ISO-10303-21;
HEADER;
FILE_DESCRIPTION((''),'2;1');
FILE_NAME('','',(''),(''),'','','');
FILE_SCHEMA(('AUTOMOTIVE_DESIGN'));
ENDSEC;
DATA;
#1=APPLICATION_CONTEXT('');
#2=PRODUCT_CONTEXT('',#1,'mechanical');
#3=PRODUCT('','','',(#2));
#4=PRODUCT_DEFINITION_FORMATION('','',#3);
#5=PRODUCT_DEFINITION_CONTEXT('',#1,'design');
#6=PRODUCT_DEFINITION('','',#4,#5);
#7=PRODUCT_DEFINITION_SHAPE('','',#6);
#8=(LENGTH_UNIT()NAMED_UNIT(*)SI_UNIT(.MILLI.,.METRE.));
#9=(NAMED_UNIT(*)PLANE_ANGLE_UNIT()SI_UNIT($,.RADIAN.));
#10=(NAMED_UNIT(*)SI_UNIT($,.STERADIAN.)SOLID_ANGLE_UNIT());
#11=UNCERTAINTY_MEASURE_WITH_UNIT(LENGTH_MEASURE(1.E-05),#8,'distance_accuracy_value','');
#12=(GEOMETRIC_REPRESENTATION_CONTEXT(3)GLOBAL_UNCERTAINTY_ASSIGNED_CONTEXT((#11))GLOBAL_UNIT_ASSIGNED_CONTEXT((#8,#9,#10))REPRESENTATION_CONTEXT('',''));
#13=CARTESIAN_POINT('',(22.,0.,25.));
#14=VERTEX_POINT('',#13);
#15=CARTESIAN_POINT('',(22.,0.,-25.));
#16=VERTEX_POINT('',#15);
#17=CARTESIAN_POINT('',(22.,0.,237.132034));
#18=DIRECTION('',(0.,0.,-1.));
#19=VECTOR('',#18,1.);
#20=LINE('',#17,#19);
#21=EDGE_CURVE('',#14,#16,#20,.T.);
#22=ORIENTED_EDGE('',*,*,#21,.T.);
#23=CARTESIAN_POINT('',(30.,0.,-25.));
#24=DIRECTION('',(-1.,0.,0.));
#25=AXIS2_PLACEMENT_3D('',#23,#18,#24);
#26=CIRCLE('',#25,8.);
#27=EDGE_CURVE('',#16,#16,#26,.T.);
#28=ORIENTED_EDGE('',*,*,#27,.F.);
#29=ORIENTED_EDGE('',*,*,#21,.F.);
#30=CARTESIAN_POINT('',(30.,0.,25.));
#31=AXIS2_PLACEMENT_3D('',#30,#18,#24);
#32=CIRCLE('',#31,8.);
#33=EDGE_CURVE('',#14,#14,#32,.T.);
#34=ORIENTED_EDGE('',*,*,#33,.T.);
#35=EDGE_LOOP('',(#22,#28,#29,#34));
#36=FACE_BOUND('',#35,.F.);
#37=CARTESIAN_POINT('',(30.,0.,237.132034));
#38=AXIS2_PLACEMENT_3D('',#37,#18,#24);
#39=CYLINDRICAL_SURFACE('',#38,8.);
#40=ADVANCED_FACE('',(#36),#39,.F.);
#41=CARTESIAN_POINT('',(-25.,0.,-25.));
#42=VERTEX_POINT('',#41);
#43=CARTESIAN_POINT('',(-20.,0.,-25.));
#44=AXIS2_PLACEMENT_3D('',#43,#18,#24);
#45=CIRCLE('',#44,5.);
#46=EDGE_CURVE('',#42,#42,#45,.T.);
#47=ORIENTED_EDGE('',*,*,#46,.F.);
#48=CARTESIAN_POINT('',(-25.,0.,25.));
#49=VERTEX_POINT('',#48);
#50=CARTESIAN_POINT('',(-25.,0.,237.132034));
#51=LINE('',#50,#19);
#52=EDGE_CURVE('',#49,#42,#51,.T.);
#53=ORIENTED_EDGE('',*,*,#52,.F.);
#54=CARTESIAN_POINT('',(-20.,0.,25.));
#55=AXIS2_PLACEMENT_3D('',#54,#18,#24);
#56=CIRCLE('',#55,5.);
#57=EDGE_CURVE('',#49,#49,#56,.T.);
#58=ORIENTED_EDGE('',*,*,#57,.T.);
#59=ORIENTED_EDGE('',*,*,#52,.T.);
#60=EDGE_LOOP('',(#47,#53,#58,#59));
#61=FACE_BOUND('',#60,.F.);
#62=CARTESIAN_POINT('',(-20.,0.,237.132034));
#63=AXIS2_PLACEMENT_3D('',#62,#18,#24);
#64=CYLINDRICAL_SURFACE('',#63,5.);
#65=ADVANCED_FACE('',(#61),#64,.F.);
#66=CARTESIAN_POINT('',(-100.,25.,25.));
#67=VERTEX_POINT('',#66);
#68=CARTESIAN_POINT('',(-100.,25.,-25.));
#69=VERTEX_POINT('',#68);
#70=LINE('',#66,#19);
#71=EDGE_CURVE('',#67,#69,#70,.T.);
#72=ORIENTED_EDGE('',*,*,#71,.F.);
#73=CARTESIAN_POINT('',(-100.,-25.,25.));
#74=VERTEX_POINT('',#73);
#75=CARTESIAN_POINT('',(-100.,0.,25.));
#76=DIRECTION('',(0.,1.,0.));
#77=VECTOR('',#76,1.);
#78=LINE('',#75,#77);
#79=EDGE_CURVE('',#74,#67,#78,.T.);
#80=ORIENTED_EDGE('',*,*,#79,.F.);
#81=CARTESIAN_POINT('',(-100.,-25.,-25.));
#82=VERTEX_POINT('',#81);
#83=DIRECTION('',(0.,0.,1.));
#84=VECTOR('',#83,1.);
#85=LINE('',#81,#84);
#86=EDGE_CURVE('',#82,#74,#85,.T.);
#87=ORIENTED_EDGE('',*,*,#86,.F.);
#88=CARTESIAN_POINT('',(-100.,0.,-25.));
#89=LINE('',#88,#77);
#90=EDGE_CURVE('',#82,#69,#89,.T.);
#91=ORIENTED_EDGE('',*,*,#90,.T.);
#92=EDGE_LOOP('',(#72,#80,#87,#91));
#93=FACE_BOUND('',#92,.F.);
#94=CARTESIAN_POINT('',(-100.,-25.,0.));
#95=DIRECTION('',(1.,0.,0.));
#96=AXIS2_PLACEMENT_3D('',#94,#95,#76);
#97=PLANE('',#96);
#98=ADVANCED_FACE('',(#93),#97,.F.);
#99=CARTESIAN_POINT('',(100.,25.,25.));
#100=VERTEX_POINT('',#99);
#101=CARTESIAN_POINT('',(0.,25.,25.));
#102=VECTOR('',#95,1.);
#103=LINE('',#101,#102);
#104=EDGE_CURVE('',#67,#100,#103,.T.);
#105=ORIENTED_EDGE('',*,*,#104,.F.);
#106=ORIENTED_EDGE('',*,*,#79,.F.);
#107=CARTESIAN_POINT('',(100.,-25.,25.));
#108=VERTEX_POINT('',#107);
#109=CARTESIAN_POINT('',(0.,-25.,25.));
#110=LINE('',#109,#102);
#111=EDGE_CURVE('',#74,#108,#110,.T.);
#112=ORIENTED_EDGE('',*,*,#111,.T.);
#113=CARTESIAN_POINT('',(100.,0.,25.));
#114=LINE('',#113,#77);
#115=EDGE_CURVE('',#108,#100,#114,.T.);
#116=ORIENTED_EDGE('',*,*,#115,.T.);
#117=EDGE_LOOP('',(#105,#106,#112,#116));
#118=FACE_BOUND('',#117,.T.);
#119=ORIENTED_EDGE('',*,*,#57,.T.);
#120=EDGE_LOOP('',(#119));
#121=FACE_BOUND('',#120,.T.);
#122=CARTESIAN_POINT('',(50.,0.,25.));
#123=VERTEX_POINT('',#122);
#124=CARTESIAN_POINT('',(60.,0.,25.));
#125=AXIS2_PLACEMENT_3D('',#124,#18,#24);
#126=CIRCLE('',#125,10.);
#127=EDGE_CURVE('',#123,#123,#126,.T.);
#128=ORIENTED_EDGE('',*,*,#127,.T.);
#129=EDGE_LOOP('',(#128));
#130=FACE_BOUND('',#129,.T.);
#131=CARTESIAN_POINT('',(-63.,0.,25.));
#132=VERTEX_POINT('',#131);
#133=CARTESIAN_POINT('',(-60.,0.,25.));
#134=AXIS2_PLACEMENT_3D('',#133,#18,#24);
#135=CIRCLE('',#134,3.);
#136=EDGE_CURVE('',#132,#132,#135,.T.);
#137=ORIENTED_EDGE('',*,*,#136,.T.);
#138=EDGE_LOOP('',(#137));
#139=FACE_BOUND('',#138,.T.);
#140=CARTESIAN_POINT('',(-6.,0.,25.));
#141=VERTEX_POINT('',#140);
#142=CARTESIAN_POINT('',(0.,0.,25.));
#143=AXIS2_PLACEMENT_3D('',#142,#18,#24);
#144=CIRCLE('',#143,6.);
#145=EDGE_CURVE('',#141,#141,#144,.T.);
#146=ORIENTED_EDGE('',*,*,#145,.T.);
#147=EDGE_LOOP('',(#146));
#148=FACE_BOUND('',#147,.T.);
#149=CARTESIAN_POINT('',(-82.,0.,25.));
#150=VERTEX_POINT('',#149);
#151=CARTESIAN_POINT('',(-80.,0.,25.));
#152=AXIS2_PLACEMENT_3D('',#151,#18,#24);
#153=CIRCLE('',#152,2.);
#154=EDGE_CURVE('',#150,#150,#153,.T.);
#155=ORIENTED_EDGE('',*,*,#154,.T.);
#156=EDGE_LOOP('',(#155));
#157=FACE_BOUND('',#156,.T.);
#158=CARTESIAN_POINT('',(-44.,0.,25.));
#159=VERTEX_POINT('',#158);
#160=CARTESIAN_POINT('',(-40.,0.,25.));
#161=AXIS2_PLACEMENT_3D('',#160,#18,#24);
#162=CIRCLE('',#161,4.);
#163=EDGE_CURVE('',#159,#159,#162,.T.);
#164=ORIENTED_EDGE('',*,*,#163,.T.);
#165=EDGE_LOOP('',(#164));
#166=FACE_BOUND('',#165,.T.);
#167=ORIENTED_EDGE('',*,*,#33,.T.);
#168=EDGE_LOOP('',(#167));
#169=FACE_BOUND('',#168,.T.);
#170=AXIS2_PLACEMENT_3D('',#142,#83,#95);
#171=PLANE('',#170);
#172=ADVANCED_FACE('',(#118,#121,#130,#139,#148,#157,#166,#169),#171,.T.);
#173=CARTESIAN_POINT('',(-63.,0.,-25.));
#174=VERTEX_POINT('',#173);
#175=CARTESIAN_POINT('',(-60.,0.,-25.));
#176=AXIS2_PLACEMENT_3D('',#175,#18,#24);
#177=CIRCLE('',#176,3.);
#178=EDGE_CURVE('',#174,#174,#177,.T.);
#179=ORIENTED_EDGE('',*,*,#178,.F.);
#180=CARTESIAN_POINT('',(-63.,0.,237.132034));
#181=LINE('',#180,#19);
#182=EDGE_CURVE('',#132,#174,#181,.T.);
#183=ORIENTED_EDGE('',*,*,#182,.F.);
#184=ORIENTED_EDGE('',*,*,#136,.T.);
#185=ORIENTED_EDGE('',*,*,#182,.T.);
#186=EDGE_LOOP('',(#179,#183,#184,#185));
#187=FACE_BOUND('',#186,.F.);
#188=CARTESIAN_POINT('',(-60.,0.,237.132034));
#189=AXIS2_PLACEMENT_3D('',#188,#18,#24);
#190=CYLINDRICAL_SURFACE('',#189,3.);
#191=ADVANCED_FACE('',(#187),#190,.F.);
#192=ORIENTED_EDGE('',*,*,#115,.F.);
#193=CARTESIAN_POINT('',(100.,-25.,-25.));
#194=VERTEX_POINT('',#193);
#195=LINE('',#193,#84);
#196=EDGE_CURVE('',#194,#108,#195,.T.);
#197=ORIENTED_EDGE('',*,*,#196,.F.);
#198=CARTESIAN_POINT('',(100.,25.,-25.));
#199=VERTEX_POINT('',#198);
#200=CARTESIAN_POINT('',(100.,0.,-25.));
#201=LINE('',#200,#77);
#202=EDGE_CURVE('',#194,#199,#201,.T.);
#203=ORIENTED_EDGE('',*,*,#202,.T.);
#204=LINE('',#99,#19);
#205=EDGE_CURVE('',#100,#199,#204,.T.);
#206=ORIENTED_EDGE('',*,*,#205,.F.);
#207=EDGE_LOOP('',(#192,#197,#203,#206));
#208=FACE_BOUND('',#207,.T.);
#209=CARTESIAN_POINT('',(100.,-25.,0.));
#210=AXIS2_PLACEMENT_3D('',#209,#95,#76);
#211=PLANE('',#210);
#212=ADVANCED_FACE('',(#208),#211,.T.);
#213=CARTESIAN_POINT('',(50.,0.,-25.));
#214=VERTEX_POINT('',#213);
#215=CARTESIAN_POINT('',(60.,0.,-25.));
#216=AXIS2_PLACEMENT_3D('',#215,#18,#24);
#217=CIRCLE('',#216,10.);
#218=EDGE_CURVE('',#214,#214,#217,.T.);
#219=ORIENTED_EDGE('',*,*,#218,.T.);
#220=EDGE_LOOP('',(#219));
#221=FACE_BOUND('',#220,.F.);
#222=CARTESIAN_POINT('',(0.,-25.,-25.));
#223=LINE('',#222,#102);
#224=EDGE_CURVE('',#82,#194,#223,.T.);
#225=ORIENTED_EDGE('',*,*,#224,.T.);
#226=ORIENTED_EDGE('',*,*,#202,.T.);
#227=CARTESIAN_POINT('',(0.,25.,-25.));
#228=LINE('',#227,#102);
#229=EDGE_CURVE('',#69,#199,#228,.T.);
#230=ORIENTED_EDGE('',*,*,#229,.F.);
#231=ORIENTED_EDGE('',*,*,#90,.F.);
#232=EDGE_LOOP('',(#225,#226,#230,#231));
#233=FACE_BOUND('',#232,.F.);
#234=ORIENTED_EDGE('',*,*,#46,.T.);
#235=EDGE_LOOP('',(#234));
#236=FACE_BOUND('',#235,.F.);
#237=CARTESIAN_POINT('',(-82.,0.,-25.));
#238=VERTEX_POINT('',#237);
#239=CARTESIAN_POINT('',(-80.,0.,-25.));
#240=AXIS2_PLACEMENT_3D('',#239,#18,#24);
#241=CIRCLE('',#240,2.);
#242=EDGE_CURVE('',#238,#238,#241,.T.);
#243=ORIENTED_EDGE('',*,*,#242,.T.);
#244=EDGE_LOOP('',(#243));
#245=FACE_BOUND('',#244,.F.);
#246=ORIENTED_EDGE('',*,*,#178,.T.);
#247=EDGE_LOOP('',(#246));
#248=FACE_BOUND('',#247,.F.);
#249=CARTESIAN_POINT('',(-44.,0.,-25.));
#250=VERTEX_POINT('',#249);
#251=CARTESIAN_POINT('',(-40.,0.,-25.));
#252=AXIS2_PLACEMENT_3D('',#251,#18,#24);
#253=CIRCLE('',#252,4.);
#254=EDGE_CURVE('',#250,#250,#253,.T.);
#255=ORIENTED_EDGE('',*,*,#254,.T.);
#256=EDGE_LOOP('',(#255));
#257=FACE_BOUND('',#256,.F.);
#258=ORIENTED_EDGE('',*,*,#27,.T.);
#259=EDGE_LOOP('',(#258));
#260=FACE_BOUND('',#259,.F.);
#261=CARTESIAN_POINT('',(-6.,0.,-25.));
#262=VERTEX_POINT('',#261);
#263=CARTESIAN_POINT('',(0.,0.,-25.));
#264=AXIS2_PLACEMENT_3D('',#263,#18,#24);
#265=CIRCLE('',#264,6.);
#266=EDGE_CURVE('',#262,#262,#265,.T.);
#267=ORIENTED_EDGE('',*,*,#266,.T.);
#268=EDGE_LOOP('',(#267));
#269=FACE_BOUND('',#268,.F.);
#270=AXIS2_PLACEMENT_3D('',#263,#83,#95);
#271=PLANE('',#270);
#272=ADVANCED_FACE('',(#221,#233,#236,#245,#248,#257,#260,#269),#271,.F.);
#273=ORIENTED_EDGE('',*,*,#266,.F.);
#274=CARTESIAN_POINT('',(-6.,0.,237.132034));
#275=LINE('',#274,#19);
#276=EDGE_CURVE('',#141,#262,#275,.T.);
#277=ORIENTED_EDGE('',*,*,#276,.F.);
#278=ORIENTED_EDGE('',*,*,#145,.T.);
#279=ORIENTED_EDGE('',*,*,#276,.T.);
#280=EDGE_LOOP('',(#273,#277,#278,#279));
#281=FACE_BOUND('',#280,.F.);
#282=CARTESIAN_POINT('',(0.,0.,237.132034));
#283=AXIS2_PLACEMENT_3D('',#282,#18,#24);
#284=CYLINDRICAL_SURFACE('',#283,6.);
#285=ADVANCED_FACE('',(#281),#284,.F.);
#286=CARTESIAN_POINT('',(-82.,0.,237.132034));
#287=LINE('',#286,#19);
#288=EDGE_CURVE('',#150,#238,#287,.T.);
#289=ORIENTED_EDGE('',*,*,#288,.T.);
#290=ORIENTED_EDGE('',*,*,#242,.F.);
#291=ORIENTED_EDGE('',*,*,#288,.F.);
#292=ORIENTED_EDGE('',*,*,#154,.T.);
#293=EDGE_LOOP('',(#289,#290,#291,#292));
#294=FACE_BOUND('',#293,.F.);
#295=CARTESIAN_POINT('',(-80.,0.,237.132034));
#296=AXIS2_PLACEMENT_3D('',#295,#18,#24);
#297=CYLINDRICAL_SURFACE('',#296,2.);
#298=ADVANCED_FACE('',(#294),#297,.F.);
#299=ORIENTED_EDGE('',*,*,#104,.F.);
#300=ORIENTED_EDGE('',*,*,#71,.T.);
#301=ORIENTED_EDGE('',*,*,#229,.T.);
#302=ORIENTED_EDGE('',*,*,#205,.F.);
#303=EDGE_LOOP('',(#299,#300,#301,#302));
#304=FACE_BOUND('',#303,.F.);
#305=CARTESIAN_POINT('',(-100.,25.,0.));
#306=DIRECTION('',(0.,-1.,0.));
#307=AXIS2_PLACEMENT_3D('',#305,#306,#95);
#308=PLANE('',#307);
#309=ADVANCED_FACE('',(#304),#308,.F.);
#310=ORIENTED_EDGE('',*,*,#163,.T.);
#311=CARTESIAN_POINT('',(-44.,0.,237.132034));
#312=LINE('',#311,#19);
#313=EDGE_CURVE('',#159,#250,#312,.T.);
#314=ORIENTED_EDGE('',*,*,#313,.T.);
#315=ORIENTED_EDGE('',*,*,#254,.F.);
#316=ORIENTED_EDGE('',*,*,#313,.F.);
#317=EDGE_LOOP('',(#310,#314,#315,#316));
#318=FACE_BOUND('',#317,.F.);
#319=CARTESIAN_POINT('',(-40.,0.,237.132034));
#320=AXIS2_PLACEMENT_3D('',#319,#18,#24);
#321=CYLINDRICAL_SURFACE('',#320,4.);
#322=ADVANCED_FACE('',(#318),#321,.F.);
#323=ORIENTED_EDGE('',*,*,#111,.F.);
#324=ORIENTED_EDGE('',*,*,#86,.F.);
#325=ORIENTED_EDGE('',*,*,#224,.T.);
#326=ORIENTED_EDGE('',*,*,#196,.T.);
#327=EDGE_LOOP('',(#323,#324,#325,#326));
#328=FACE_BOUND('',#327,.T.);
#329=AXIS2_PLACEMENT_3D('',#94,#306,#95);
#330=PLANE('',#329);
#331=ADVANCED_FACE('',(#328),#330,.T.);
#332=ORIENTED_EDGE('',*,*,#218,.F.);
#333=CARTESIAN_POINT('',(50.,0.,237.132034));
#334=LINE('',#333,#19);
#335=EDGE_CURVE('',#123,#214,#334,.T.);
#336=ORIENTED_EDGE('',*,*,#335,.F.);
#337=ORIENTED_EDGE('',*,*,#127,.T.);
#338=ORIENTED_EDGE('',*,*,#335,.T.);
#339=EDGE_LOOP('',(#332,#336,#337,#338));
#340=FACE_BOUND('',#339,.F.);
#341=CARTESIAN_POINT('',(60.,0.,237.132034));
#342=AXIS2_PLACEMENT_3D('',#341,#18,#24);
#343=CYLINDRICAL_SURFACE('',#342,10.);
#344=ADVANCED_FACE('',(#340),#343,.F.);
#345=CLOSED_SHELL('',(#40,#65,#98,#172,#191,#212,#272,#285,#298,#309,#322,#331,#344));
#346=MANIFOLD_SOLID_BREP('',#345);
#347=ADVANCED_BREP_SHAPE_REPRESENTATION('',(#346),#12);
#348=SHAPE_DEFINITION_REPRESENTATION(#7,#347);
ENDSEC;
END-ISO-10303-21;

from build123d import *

# Parameters (mm, degrees)
F0_W     = 200
F0_H     = 50
F1_DEPTH = 25
F3_D     = 4
F4_D     = 6
F5_D     = 8
F6_D     = 10
F7_D     = 12
F8_D     = 16
F9_D     = 20


with BuildPart() as f1:
    # F0 (on Top) → F1 (new body, symmetric)
    with BuildSketch(Plane.XY):
        Rectangle(F0_W, F0_H)
    extrude(amount=F1_DEPTH, both=True)

    # F3 (through all)
    with Locations(Plane.XY.offset(25)):
        with Locations((-80, 0)):
            Hole(F3_D / 2)

    # F4 (through all)
    with Locations(Plane.XY.offset(25)):
        with Locations((-60, 0)):
            Hole(F4_D / 2)

    # F5 (through all)
    with Locations(Plane.XY.offset(25)):
        with Locations((-40, 0)):
            Hole(F5_D / 2)

    # F6 (through all)
    with Locations(Plane.XY.offset(25)):
        with Locations((-20, 0)):
            Hole(F6_D / 2)

    # F7 (through all)
    with Locations(Plane.XY.offset(25)):
        with Locations((0, 0)):
            Hole(F7_D / 2)

    # F8 (through all)
    with Locations(Plane.XY.offset(25)):
        with Locations((30, 0)):
            Hole(F8_D / 2)

    # F9 (through all)
    with Locations(Plane.XY.offset(25)):
        with Locations((60, 0)):
            Hole(F9_D / 2)


solid = f1.part
